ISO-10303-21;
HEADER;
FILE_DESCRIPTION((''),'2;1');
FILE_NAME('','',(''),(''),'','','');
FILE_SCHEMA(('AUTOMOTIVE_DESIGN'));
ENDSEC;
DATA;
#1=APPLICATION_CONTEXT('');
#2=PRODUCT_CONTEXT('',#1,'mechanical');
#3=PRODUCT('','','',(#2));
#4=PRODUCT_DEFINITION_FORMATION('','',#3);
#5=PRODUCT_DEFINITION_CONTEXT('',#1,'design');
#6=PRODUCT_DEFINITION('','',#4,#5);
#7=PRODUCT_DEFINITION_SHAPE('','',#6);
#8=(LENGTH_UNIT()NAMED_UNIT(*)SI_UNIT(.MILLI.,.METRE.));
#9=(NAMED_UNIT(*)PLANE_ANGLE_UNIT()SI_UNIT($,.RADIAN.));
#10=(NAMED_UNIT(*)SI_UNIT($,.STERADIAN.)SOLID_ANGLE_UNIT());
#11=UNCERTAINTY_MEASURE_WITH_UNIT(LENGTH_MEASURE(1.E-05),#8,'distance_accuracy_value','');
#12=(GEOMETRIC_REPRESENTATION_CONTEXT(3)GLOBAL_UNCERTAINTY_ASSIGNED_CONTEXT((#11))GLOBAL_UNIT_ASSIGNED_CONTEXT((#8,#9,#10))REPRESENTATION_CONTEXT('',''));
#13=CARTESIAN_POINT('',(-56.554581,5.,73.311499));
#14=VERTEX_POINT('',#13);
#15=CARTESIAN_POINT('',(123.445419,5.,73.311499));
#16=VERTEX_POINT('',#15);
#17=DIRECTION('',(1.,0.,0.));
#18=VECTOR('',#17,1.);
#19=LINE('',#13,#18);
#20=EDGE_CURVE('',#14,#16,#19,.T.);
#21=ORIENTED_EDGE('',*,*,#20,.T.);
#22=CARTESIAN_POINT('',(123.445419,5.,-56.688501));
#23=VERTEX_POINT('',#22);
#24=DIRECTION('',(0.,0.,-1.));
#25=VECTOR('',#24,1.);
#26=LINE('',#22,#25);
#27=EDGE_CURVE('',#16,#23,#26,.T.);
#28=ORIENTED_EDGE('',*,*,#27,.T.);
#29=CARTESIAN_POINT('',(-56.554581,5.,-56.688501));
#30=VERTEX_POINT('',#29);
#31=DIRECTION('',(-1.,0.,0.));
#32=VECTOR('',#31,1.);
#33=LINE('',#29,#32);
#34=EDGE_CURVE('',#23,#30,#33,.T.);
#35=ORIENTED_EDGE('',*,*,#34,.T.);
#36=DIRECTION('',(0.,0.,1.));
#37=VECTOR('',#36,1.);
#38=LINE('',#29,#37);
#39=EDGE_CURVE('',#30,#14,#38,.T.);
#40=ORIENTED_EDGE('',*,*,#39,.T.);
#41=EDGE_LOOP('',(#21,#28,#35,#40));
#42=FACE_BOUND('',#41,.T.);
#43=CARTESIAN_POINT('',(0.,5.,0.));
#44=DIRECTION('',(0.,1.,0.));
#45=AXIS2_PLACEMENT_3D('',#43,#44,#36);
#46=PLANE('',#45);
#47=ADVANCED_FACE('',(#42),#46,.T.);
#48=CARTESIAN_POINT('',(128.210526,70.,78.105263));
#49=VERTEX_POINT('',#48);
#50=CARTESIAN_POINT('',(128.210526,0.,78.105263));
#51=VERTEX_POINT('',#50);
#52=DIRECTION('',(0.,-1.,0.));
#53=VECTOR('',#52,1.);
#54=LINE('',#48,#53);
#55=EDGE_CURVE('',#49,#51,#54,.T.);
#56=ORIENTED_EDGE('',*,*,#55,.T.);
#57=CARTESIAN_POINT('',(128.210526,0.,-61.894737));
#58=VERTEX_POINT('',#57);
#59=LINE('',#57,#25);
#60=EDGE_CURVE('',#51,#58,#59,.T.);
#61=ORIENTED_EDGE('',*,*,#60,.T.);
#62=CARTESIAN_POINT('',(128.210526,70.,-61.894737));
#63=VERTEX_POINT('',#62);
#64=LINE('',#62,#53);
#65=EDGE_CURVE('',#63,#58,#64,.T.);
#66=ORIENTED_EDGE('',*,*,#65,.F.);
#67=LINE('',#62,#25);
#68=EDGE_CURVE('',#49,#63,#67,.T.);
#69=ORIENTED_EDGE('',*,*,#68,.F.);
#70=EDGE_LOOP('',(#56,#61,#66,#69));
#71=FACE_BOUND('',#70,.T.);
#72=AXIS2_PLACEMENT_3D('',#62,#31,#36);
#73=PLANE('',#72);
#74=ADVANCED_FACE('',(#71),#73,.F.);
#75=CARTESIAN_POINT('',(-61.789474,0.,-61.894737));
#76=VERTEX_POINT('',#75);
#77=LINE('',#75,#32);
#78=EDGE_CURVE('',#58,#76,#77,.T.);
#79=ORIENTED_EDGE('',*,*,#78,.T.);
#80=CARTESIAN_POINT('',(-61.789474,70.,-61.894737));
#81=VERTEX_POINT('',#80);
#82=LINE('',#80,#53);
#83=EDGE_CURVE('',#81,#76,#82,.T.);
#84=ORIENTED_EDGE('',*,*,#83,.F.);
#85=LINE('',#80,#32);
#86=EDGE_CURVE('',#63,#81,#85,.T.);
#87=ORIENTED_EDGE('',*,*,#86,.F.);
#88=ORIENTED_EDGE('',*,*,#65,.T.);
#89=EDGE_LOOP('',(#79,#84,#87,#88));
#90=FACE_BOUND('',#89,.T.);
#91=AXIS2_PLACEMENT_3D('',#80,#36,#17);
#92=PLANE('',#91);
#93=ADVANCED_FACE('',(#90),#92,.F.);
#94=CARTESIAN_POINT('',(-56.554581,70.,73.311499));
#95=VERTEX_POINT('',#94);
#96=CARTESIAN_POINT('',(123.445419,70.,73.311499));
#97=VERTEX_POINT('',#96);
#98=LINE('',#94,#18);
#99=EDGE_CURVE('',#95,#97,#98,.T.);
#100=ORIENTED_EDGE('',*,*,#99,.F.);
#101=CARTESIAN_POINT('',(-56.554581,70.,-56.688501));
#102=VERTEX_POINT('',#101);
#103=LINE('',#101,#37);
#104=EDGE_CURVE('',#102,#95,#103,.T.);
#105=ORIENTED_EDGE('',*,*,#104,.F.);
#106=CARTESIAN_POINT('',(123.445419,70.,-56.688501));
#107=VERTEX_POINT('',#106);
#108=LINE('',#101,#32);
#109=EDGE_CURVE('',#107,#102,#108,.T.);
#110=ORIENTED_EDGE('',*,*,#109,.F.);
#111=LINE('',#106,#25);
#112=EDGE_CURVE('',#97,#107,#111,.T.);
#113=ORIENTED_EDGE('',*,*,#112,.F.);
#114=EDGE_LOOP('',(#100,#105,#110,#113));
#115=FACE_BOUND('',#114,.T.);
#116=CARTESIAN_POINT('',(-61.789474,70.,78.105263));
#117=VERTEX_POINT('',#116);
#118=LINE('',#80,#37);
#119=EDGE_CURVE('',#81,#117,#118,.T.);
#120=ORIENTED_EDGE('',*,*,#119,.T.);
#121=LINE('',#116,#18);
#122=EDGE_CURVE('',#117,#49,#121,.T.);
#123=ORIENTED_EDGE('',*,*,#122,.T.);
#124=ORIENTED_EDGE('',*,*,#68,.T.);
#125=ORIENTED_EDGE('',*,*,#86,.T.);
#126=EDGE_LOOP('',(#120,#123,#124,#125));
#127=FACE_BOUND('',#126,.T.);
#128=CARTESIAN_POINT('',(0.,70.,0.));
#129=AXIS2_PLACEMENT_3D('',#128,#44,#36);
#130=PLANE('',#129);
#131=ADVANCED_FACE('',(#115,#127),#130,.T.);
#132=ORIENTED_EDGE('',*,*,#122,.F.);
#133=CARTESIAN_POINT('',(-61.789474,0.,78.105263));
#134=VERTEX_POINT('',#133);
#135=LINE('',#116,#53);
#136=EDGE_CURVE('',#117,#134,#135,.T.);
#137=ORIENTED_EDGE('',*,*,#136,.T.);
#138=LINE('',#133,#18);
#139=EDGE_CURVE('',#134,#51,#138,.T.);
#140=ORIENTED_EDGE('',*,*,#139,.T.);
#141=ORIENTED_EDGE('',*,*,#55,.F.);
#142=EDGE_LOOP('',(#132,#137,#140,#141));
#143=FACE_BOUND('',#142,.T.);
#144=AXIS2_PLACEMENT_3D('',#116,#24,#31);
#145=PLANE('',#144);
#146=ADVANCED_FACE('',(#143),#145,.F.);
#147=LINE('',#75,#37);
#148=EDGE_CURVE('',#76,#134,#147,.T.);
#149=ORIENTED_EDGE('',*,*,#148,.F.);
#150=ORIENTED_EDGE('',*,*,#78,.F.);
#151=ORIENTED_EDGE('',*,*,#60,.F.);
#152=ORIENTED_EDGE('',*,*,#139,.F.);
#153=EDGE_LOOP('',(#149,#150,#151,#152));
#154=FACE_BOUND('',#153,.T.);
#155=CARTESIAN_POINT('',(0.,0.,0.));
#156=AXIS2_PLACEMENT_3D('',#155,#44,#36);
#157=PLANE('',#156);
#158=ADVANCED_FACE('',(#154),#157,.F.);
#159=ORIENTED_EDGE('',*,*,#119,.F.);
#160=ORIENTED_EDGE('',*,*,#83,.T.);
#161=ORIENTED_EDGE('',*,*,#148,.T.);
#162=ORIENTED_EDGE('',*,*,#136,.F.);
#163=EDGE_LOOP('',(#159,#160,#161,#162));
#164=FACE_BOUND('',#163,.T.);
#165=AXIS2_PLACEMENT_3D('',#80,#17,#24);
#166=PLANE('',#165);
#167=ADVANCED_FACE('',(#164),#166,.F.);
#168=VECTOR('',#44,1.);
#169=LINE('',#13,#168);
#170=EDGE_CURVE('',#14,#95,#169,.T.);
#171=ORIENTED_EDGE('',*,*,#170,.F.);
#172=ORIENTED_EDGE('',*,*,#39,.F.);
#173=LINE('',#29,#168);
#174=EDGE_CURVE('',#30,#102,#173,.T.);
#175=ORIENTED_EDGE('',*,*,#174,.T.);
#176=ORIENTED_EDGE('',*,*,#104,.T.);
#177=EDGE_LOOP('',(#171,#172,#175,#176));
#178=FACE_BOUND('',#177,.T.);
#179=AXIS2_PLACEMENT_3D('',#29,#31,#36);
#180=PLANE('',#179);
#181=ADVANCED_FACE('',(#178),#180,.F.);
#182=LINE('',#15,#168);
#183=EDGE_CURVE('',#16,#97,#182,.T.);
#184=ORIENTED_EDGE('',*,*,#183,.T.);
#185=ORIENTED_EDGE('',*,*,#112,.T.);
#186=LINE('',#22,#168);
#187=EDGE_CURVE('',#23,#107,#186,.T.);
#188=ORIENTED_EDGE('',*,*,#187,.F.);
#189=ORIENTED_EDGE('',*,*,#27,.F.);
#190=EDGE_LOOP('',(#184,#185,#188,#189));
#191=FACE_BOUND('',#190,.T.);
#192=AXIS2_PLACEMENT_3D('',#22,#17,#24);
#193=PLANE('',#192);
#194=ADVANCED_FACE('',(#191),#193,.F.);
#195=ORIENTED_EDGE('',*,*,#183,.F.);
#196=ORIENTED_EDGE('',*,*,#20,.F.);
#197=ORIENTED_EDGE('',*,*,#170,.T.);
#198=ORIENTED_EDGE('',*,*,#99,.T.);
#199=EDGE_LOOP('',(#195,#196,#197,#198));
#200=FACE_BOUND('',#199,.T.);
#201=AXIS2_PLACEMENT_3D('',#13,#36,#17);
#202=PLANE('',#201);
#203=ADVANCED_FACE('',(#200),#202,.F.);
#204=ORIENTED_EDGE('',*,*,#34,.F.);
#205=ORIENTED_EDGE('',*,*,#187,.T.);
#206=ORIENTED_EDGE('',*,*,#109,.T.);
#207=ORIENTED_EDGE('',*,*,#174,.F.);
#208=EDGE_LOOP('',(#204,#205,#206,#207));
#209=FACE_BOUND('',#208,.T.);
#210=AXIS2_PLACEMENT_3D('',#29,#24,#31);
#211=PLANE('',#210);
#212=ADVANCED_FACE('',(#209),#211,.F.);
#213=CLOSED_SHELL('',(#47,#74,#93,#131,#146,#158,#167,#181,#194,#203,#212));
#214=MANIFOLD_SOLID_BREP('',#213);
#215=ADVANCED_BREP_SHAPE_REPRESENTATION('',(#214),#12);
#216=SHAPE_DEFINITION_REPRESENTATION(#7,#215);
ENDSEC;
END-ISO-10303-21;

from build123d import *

# Parameters (mm, degrees)
SKETCH2_W           = 190
SKETCH2_H           = 140
BOSS_EXTRUDE1_DEPTH = 70
SKETCH3_W           = 180
SKETCH3_H           = 130
CUT_EXTRUDE1_DEPTH  = 65


with BuildPart() as part:
    # Sketch2 → Boss-Extrude1 (new body)
    with BuildSketch(Plane(origin=(0, 0, 0), x_dir=(1, 0, 0), z_dir=(0, 1, 0))):
        with Locations((33.210526316, -8.105263158)):
            Rectangle(SKETCH2_W, SKETCH2_H)
    extrude(amount=BOSS_EXTRUDE1_DEPTH)

    # Sketch3 → Cut-Extrude1 (cut)
    with BuildSketch(Plane(origin=(0, 70, 0), x_dir=(1, 0, 0), z_dir=(0, 1, 0))):
        with Locations((33.445418874, -8.311499386)):
            Rectangle(SKETCH3_W, SKETCH3_H)
    extrude(amount=-CUT_EXTRUDE1_DEPTH, mode=Mode.SUBTRACT)


solid = part.part
